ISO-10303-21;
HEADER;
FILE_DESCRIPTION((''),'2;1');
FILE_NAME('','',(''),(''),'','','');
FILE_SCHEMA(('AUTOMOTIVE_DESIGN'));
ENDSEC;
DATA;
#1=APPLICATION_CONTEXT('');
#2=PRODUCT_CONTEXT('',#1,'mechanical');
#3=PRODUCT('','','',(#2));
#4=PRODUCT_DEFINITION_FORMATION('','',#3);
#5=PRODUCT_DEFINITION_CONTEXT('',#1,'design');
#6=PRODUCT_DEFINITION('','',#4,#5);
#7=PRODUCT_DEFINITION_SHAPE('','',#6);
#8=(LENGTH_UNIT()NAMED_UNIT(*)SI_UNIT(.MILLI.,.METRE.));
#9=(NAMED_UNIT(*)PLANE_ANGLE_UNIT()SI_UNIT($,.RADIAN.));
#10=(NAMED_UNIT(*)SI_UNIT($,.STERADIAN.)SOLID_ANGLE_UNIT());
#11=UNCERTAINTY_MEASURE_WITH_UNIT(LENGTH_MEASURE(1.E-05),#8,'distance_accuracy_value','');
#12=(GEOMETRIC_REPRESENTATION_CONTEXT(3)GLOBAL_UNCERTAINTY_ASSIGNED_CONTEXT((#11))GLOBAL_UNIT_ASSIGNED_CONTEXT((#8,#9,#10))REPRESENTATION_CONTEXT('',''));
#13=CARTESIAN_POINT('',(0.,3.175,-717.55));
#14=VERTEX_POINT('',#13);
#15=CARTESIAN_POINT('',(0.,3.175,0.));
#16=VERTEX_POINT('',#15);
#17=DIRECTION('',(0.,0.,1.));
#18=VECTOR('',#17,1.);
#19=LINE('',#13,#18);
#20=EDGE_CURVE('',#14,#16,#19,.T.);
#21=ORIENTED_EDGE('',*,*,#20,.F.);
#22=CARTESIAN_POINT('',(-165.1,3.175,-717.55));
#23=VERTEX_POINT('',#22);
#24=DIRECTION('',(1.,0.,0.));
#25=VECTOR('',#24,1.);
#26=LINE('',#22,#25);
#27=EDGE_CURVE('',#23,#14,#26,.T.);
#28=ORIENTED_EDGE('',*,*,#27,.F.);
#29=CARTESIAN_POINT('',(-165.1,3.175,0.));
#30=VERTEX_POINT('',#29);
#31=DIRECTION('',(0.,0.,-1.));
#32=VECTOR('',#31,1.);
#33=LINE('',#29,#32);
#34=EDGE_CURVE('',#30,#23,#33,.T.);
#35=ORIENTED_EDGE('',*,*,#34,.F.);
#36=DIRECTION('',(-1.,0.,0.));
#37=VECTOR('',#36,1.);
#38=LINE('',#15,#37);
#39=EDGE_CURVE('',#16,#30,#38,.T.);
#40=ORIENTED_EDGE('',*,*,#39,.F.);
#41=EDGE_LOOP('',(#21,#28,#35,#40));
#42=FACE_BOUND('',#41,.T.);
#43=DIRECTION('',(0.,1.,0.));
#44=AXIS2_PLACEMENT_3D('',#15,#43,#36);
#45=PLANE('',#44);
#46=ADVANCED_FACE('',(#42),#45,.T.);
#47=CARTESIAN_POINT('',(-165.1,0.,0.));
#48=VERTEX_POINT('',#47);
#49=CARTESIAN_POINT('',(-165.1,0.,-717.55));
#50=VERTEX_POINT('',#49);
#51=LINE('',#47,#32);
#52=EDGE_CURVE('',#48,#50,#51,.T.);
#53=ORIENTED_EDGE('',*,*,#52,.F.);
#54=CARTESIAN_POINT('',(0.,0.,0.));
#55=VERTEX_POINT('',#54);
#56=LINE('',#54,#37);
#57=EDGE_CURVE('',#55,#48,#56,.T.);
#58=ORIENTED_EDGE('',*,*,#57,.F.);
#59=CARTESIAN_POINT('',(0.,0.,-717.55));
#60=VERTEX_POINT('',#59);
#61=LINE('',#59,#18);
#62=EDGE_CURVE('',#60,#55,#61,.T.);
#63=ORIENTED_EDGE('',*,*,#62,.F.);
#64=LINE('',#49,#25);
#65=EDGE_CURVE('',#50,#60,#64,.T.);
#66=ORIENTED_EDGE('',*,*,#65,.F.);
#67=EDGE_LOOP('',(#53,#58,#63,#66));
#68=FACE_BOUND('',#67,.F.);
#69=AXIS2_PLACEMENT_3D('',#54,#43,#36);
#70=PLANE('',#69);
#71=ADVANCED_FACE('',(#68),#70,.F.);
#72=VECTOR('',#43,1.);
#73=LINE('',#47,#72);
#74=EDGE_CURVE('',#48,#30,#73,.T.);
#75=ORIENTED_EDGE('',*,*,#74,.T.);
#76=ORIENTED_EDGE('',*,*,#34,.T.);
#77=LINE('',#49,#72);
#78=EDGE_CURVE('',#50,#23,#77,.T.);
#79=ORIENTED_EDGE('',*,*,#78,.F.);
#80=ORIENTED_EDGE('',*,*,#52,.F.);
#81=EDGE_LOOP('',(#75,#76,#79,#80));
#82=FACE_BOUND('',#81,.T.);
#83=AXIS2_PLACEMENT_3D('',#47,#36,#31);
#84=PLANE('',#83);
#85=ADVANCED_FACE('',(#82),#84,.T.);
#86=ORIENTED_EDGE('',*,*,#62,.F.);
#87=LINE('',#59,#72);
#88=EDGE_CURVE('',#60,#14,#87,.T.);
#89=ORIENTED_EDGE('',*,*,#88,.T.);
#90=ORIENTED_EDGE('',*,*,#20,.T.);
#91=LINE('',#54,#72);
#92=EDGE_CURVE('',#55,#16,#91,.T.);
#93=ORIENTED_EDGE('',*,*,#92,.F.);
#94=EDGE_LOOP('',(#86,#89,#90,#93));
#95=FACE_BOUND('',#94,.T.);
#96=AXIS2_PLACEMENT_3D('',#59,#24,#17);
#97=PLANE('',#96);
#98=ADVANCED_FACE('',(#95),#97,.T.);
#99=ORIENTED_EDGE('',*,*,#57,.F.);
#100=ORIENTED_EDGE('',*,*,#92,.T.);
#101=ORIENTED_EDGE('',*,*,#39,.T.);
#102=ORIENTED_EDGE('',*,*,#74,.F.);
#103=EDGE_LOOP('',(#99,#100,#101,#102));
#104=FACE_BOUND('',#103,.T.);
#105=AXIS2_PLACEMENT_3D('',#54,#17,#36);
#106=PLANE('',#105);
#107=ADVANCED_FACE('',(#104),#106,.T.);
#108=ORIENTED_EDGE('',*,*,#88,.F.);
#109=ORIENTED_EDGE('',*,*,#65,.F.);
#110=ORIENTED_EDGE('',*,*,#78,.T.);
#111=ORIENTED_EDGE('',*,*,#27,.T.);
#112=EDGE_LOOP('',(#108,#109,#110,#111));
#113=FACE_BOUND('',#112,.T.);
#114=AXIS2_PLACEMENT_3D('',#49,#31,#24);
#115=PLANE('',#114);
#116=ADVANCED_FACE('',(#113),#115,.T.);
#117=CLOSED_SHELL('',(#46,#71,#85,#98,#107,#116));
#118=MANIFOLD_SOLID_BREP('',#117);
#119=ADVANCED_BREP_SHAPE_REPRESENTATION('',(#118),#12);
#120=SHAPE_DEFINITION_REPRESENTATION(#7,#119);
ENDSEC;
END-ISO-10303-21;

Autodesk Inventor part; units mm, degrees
ref_plane "YZ Plane" through (0, 0, 0) normal (1, 0, 0) x (0, 1, 0)
ref_plane "XZ Plane" through (0, 0, 0) normal (0, 1, 0) x (-1, 0, 0)
ref_plane "XY Plane" through (0, 0, 0) normal (0, 0, 1) x (1, 0, 0)
sketch "Sketch1" plane through (0, 0, 0) normal (0, 1, 0) x (-1, 0, 0)
  line L0 (0, 0) -> (165.1, 0)
  line L1 (165.1, 0) -> (165.1, -717.55)
  line L2 (165.1, -717.55) -> (0, -717.55)
  line L3 (0, -717.55) -> (0, 0)
  dimension "d0" = 165.1
  dimension "d1" = 717.55
extrude "Extrusion1" add sketch "Sketch1" along normal blind 3.175
properties part number "Starter_Shingle_With_Dimensions_6.5_x_28.25_Inches"
